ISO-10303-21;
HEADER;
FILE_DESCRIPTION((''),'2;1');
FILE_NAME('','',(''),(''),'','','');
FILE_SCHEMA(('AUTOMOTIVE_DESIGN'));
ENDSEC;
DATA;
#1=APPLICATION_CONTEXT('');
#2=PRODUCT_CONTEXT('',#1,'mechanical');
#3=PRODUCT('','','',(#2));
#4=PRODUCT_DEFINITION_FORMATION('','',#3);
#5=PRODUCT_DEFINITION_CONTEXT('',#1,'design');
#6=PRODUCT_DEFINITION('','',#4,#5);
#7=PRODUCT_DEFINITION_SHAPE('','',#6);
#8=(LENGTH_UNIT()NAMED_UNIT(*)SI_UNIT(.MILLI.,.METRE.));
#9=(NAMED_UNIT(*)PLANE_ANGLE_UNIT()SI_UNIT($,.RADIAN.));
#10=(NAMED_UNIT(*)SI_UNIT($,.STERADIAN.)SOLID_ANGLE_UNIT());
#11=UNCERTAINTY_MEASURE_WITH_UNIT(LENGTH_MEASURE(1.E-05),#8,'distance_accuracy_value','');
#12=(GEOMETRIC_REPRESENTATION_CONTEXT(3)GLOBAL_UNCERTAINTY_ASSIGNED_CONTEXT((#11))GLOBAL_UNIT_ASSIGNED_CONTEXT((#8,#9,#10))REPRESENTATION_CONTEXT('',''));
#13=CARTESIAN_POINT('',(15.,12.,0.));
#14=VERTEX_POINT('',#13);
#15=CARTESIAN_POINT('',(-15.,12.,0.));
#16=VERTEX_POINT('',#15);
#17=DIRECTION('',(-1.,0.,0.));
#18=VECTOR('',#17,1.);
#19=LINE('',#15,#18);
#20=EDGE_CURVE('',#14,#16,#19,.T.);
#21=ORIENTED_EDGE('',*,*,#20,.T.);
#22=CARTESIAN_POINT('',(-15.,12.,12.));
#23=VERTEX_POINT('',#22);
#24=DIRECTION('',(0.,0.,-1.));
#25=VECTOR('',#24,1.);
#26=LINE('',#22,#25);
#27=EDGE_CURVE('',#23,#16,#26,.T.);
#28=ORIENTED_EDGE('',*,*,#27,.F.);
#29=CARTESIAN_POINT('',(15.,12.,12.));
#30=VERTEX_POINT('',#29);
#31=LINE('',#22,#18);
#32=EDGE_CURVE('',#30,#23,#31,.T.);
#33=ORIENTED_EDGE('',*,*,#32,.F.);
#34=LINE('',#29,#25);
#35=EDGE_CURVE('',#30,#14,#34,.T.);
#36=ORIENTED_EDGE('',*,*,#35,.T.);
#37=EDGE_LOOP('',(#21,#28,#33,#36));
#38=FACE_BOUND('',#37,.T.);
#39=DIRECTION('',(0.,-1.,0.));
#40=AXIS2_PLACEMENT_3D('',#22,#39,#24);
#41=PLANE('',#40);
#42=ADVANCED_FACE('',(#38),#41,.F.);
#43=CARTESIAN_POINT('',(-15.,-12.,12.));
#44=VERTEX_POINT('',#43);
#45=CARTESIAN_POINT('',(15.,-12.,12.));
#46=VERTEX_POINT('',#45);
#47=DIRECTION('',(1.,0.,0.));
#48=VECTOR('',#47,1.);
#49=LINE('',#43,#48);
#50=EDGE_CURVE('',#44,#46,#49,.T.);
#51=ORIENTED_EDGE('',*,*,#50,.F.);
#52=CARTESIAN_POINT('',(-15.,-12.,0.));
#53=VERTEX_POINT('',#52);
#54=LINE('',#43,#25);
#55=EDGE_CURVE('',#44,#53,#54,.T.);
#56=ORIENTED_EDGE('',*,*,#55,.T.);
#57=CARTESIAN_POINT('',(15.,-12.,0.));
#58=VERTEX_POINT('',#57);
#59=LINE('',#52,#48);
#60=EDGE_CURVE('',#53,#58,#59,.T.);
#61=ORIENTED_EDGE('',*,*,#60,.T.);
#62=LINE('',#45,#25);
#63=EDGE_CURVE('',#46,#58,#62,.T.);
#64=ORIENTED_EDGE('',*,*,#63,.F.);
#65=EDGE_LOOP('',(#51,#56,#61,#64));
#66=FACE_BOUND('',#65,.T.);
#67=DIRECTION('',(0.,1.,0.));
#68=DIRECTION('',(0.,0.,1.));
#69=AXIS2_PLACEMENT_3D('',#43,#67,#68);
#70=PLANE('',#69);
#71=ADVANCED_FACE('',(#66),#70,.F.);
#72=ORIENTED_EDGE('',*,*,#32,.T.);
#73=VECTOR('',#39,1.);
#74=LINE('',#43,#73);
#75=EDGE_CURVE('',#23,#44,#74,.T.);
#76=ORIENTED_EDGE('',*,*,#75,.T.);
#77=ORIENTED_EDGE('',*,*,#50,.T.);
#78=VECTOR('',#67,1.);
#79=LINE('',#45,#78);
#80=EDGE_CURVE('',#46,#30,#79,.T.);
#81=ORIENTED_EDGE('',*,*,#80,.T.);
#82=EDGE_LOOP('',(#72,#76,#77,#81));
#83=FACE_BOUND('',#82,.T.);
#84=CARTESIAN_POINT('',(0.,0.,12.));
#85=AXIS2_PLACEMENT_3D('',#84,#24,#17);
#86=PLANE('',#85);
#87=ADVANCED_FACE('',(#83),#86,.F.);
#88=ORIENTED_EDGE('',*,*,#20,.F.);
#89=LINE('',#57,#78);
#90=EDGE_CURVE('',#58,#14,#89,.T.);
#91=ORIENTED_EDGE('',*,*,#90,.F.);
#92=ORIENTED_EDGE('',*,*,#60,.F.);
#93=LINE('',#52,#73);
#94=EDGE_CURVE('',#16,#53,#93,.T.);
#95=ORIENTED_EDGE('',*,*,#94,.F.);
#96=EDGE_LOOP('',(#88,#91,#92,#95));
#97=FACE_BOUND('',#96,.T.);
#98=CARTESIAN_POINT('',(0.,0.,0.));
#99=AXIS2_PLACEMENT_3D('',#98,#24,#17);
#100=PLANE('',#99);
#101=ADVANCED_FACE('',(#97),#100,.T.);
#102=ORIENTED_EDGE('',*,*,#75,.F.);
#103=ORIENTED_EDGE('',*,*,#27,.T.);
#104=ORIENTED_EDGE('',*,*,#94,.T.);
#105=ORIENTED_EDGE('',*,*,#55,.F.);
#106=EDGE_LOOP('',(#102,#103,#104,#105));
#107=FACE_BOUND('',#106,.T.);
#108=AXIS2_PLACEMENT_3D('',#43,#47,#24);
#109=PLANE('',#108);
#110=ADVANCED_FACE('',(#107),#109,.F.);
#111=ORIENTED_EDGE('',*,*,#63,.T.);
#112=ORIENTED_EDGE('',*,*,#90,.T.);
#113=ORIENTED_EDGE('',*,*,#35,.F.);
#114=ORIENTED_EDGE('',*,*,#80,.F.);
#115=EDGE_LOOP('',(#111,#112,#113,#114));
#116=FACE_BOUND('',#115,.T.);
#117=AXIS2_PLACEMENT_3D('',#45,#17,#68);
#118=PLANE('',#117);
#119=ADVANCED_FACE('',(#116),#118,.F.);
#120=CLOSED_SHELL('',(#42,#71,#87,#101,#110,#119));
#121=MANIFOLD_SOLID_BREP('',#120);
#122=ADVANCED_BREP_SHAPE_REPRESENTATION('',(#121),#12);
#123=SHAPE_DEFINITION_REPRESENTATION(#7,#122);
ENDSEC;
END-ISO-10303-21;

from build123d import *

# Parameters (mm, degrees)
SKETCH2_W              = 30
SKETCH2_H              = 24
REFERENCE_COUPON_DEPTH = 12


with BuildPart() as part:
    # Sketch2 → Reference_coupon (new body)
    with BuildSketch(Plane.XY):
        Rectangle(SKETCH2_W, SKETCH2_H)
    extrude(amount=REFERENCE_COUPON_DEPTH)


solid = part.part
